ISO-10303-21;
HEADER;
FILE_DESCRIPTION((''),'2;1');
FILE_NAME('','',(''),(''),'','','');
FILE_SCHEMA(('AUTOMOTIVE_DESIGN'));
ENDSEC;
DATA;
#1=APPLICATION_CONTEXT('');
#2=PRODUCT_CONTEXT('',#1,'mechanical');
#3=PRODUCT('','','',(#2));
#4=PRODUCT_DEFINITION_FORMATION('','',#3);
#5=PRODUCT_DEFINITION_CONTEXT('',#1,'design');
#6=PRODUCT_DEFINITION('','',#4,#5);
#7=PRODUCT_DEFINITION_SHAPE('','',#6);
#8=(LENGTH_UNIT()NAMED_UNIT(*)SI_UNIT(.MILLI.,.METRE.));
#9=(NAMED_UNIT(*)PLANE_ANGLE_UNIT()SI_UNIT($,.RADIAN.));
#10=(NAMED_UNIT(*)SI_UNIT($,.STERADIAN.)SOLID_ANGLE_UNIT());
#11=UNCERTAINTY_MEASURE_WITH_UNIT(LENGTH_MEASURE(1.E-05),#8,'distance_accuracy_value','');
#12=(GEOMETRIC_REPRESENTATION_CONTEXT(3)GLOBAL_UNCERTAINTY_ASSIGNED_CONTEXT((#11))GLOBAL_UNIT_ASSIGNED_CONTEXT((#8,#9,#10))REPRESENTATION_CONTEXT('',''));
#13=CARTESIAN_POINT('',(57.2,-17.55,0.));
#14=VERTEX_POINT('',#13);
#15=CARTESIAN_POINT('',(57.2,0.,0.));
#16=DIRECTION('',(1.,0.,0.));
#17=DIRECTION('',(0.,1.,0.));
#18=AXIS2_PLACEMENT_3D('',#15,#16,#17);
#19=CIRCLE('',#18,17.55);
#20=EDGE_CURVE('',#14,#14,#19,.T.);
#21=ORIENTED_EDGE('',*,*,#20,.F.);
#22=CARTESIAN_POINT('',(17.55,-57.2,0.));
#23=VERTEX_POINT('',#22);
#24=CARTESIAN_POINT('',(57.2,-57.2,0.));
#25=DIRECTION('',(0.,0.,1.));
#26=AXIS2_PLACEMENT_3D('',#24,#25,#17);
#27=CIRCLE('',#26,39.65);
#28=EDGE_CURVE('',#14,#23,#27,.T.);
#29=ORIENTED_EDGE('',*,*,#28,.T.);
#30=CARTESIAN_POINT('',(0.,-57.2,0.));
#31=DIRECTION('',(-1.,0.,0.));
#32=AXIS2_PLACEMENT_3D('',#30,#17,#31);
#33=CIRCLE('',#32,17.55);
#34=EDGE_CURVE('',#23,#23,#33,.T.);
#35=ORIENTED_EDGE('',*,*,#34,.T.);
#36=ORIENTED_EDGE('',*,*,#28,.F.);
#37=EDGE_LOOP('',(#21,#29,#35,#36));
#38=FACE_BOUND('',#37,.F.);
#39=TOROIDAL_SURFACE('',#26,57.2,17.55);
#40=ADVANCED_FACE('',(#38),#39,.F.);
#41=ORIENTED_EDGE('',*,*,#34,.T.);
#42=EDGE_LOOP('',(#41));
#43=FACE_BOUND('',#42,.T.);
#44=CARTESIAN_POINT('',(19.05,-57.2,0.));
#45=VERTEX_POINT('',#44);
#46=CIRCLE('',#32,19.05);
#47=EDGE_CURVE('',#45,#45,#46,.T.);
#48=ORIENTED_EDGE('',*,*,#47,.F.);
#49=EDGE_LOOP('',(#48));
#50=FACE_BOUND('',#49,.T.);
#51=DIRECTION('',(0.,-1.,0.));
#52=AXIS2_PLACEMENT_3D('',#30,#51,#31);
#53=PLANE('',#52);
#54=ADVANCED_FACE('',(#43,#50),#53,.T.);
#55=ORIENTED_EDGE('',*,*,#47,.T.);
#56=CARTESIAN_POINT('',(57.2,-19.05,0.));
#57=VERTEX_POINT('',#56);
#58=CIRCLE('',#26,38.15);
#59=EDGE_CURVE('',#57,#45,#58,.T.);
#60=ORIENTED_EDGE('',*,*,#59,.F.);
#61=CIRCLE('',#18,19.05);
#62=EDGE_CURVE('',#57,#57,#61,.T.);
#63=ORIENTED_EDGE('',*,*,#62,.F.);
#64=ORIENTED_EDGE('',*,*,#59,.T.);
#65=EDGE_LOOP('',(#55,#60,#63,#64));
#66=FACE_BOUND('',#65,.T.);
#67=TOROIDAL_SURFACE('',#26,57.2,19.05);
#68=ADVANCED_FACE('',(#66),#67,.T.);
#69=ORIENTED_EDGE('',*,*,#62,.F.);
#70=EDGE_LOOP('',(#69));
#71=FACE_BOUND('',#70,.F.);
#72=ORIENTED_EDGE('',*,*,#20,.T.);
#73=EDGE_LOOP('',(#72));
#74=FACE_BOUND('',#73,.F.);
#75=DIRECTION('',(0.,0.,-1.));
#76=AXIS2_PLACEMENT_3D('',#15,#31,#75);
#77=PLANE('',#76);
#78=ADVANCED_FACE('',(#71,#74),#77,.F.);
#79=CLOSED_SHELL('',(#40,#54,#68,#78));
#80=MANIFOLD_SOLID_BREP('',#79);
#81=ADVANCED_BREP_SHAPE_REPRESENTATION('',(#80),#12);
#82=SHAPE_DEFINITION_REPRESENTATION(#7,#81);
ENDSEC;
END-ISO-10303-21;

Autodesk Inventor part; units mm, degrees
ref_plane "YZ Plane" through (0, 0, 0) normal (1, 0, 0) x (0, 1, 0)
ref_plane "XZ Plane" through (0, 0, 0) normal (0, 1, 0) x (-1, 0, 0)
sketch "Szkic6" plane through (0, 0, 0) normal (0, 0, 1) x (1, 0, 0)
  line L0 (-29.6067, 0) -> (35.2678, 0) construction
  line L1 (0, 42.3419) -> (0, -58.3726) construction
  arc A0 (57.2, 0) -> (0, -57.2) centre (57.2, -57.2) ccw
  line L2 (0, -57.2) -> (57.2, -57.2) construction
  line L3 (57.2, -57.2) -> (57.2, 8.3331) construction
  line L4 (57.2, 0) -> (57.2, 0)
  line L5 (0, -57.2) -> (0, -57.2)
  point P0 (0, 0)
  dimension "d24" = 57.2
  dimension "d31" = 90
  dimension "d36" = 0
  dimension "d37" = 0
ref_plane "Płaszczyzna konstrukcyjna2" through (0, -57.2, 0) normal (0, -1, 0) x (1, 0, 0)
sketch "Szkic8" plane through (0, -57.2, 0) normal (0, -1, 0) x (1, 0, 0)
  circle A0 centre (0, 0) radius 19.05
  circle A1 centre (0, 0) radius 17.55
  dimension "d32" = 38.1
  dimension "d33" = 1.5
sweep "Przeciągnięcie2" add profiles "Szkic8" path "Szkic6"
equation "\"d32\" = OD"
equation "\"d33\" = THK"
equation "\"d24\" = R"
equation "\"d31\" = KAT"
equation "\"SzerokośćGięciaPodcięcia\" = Grubość"
equation "\"RozmiarPodcięciaNarożnika\" = 4 * Grubość"
equation "\"PromieńPrzejścia\" = PromieńGięcia"
equation "\"Rozmiar_promienia_Jacobiego\" = PromieńGięcia"
equation "\"Wielk_odstępu\" = Grubość"
equation "\"d2\" = PromieńGięcia"
equation "\"d23\" = PromieńGięcia"
equation "\"R\" = 57.2"
equation "\"OD\" = 38.1"
equation "\"THK\" = 1.5"
equation "\"KAT\" = 90deg"
equation "\"PROSTKA\" = 0"
equation "\"Grubość\" = 1.5"
equation "\"PromieńGięcia\" = 3"
properties part number "Kolano 90° ø38,1x1,5 R57,2" material "304L"
